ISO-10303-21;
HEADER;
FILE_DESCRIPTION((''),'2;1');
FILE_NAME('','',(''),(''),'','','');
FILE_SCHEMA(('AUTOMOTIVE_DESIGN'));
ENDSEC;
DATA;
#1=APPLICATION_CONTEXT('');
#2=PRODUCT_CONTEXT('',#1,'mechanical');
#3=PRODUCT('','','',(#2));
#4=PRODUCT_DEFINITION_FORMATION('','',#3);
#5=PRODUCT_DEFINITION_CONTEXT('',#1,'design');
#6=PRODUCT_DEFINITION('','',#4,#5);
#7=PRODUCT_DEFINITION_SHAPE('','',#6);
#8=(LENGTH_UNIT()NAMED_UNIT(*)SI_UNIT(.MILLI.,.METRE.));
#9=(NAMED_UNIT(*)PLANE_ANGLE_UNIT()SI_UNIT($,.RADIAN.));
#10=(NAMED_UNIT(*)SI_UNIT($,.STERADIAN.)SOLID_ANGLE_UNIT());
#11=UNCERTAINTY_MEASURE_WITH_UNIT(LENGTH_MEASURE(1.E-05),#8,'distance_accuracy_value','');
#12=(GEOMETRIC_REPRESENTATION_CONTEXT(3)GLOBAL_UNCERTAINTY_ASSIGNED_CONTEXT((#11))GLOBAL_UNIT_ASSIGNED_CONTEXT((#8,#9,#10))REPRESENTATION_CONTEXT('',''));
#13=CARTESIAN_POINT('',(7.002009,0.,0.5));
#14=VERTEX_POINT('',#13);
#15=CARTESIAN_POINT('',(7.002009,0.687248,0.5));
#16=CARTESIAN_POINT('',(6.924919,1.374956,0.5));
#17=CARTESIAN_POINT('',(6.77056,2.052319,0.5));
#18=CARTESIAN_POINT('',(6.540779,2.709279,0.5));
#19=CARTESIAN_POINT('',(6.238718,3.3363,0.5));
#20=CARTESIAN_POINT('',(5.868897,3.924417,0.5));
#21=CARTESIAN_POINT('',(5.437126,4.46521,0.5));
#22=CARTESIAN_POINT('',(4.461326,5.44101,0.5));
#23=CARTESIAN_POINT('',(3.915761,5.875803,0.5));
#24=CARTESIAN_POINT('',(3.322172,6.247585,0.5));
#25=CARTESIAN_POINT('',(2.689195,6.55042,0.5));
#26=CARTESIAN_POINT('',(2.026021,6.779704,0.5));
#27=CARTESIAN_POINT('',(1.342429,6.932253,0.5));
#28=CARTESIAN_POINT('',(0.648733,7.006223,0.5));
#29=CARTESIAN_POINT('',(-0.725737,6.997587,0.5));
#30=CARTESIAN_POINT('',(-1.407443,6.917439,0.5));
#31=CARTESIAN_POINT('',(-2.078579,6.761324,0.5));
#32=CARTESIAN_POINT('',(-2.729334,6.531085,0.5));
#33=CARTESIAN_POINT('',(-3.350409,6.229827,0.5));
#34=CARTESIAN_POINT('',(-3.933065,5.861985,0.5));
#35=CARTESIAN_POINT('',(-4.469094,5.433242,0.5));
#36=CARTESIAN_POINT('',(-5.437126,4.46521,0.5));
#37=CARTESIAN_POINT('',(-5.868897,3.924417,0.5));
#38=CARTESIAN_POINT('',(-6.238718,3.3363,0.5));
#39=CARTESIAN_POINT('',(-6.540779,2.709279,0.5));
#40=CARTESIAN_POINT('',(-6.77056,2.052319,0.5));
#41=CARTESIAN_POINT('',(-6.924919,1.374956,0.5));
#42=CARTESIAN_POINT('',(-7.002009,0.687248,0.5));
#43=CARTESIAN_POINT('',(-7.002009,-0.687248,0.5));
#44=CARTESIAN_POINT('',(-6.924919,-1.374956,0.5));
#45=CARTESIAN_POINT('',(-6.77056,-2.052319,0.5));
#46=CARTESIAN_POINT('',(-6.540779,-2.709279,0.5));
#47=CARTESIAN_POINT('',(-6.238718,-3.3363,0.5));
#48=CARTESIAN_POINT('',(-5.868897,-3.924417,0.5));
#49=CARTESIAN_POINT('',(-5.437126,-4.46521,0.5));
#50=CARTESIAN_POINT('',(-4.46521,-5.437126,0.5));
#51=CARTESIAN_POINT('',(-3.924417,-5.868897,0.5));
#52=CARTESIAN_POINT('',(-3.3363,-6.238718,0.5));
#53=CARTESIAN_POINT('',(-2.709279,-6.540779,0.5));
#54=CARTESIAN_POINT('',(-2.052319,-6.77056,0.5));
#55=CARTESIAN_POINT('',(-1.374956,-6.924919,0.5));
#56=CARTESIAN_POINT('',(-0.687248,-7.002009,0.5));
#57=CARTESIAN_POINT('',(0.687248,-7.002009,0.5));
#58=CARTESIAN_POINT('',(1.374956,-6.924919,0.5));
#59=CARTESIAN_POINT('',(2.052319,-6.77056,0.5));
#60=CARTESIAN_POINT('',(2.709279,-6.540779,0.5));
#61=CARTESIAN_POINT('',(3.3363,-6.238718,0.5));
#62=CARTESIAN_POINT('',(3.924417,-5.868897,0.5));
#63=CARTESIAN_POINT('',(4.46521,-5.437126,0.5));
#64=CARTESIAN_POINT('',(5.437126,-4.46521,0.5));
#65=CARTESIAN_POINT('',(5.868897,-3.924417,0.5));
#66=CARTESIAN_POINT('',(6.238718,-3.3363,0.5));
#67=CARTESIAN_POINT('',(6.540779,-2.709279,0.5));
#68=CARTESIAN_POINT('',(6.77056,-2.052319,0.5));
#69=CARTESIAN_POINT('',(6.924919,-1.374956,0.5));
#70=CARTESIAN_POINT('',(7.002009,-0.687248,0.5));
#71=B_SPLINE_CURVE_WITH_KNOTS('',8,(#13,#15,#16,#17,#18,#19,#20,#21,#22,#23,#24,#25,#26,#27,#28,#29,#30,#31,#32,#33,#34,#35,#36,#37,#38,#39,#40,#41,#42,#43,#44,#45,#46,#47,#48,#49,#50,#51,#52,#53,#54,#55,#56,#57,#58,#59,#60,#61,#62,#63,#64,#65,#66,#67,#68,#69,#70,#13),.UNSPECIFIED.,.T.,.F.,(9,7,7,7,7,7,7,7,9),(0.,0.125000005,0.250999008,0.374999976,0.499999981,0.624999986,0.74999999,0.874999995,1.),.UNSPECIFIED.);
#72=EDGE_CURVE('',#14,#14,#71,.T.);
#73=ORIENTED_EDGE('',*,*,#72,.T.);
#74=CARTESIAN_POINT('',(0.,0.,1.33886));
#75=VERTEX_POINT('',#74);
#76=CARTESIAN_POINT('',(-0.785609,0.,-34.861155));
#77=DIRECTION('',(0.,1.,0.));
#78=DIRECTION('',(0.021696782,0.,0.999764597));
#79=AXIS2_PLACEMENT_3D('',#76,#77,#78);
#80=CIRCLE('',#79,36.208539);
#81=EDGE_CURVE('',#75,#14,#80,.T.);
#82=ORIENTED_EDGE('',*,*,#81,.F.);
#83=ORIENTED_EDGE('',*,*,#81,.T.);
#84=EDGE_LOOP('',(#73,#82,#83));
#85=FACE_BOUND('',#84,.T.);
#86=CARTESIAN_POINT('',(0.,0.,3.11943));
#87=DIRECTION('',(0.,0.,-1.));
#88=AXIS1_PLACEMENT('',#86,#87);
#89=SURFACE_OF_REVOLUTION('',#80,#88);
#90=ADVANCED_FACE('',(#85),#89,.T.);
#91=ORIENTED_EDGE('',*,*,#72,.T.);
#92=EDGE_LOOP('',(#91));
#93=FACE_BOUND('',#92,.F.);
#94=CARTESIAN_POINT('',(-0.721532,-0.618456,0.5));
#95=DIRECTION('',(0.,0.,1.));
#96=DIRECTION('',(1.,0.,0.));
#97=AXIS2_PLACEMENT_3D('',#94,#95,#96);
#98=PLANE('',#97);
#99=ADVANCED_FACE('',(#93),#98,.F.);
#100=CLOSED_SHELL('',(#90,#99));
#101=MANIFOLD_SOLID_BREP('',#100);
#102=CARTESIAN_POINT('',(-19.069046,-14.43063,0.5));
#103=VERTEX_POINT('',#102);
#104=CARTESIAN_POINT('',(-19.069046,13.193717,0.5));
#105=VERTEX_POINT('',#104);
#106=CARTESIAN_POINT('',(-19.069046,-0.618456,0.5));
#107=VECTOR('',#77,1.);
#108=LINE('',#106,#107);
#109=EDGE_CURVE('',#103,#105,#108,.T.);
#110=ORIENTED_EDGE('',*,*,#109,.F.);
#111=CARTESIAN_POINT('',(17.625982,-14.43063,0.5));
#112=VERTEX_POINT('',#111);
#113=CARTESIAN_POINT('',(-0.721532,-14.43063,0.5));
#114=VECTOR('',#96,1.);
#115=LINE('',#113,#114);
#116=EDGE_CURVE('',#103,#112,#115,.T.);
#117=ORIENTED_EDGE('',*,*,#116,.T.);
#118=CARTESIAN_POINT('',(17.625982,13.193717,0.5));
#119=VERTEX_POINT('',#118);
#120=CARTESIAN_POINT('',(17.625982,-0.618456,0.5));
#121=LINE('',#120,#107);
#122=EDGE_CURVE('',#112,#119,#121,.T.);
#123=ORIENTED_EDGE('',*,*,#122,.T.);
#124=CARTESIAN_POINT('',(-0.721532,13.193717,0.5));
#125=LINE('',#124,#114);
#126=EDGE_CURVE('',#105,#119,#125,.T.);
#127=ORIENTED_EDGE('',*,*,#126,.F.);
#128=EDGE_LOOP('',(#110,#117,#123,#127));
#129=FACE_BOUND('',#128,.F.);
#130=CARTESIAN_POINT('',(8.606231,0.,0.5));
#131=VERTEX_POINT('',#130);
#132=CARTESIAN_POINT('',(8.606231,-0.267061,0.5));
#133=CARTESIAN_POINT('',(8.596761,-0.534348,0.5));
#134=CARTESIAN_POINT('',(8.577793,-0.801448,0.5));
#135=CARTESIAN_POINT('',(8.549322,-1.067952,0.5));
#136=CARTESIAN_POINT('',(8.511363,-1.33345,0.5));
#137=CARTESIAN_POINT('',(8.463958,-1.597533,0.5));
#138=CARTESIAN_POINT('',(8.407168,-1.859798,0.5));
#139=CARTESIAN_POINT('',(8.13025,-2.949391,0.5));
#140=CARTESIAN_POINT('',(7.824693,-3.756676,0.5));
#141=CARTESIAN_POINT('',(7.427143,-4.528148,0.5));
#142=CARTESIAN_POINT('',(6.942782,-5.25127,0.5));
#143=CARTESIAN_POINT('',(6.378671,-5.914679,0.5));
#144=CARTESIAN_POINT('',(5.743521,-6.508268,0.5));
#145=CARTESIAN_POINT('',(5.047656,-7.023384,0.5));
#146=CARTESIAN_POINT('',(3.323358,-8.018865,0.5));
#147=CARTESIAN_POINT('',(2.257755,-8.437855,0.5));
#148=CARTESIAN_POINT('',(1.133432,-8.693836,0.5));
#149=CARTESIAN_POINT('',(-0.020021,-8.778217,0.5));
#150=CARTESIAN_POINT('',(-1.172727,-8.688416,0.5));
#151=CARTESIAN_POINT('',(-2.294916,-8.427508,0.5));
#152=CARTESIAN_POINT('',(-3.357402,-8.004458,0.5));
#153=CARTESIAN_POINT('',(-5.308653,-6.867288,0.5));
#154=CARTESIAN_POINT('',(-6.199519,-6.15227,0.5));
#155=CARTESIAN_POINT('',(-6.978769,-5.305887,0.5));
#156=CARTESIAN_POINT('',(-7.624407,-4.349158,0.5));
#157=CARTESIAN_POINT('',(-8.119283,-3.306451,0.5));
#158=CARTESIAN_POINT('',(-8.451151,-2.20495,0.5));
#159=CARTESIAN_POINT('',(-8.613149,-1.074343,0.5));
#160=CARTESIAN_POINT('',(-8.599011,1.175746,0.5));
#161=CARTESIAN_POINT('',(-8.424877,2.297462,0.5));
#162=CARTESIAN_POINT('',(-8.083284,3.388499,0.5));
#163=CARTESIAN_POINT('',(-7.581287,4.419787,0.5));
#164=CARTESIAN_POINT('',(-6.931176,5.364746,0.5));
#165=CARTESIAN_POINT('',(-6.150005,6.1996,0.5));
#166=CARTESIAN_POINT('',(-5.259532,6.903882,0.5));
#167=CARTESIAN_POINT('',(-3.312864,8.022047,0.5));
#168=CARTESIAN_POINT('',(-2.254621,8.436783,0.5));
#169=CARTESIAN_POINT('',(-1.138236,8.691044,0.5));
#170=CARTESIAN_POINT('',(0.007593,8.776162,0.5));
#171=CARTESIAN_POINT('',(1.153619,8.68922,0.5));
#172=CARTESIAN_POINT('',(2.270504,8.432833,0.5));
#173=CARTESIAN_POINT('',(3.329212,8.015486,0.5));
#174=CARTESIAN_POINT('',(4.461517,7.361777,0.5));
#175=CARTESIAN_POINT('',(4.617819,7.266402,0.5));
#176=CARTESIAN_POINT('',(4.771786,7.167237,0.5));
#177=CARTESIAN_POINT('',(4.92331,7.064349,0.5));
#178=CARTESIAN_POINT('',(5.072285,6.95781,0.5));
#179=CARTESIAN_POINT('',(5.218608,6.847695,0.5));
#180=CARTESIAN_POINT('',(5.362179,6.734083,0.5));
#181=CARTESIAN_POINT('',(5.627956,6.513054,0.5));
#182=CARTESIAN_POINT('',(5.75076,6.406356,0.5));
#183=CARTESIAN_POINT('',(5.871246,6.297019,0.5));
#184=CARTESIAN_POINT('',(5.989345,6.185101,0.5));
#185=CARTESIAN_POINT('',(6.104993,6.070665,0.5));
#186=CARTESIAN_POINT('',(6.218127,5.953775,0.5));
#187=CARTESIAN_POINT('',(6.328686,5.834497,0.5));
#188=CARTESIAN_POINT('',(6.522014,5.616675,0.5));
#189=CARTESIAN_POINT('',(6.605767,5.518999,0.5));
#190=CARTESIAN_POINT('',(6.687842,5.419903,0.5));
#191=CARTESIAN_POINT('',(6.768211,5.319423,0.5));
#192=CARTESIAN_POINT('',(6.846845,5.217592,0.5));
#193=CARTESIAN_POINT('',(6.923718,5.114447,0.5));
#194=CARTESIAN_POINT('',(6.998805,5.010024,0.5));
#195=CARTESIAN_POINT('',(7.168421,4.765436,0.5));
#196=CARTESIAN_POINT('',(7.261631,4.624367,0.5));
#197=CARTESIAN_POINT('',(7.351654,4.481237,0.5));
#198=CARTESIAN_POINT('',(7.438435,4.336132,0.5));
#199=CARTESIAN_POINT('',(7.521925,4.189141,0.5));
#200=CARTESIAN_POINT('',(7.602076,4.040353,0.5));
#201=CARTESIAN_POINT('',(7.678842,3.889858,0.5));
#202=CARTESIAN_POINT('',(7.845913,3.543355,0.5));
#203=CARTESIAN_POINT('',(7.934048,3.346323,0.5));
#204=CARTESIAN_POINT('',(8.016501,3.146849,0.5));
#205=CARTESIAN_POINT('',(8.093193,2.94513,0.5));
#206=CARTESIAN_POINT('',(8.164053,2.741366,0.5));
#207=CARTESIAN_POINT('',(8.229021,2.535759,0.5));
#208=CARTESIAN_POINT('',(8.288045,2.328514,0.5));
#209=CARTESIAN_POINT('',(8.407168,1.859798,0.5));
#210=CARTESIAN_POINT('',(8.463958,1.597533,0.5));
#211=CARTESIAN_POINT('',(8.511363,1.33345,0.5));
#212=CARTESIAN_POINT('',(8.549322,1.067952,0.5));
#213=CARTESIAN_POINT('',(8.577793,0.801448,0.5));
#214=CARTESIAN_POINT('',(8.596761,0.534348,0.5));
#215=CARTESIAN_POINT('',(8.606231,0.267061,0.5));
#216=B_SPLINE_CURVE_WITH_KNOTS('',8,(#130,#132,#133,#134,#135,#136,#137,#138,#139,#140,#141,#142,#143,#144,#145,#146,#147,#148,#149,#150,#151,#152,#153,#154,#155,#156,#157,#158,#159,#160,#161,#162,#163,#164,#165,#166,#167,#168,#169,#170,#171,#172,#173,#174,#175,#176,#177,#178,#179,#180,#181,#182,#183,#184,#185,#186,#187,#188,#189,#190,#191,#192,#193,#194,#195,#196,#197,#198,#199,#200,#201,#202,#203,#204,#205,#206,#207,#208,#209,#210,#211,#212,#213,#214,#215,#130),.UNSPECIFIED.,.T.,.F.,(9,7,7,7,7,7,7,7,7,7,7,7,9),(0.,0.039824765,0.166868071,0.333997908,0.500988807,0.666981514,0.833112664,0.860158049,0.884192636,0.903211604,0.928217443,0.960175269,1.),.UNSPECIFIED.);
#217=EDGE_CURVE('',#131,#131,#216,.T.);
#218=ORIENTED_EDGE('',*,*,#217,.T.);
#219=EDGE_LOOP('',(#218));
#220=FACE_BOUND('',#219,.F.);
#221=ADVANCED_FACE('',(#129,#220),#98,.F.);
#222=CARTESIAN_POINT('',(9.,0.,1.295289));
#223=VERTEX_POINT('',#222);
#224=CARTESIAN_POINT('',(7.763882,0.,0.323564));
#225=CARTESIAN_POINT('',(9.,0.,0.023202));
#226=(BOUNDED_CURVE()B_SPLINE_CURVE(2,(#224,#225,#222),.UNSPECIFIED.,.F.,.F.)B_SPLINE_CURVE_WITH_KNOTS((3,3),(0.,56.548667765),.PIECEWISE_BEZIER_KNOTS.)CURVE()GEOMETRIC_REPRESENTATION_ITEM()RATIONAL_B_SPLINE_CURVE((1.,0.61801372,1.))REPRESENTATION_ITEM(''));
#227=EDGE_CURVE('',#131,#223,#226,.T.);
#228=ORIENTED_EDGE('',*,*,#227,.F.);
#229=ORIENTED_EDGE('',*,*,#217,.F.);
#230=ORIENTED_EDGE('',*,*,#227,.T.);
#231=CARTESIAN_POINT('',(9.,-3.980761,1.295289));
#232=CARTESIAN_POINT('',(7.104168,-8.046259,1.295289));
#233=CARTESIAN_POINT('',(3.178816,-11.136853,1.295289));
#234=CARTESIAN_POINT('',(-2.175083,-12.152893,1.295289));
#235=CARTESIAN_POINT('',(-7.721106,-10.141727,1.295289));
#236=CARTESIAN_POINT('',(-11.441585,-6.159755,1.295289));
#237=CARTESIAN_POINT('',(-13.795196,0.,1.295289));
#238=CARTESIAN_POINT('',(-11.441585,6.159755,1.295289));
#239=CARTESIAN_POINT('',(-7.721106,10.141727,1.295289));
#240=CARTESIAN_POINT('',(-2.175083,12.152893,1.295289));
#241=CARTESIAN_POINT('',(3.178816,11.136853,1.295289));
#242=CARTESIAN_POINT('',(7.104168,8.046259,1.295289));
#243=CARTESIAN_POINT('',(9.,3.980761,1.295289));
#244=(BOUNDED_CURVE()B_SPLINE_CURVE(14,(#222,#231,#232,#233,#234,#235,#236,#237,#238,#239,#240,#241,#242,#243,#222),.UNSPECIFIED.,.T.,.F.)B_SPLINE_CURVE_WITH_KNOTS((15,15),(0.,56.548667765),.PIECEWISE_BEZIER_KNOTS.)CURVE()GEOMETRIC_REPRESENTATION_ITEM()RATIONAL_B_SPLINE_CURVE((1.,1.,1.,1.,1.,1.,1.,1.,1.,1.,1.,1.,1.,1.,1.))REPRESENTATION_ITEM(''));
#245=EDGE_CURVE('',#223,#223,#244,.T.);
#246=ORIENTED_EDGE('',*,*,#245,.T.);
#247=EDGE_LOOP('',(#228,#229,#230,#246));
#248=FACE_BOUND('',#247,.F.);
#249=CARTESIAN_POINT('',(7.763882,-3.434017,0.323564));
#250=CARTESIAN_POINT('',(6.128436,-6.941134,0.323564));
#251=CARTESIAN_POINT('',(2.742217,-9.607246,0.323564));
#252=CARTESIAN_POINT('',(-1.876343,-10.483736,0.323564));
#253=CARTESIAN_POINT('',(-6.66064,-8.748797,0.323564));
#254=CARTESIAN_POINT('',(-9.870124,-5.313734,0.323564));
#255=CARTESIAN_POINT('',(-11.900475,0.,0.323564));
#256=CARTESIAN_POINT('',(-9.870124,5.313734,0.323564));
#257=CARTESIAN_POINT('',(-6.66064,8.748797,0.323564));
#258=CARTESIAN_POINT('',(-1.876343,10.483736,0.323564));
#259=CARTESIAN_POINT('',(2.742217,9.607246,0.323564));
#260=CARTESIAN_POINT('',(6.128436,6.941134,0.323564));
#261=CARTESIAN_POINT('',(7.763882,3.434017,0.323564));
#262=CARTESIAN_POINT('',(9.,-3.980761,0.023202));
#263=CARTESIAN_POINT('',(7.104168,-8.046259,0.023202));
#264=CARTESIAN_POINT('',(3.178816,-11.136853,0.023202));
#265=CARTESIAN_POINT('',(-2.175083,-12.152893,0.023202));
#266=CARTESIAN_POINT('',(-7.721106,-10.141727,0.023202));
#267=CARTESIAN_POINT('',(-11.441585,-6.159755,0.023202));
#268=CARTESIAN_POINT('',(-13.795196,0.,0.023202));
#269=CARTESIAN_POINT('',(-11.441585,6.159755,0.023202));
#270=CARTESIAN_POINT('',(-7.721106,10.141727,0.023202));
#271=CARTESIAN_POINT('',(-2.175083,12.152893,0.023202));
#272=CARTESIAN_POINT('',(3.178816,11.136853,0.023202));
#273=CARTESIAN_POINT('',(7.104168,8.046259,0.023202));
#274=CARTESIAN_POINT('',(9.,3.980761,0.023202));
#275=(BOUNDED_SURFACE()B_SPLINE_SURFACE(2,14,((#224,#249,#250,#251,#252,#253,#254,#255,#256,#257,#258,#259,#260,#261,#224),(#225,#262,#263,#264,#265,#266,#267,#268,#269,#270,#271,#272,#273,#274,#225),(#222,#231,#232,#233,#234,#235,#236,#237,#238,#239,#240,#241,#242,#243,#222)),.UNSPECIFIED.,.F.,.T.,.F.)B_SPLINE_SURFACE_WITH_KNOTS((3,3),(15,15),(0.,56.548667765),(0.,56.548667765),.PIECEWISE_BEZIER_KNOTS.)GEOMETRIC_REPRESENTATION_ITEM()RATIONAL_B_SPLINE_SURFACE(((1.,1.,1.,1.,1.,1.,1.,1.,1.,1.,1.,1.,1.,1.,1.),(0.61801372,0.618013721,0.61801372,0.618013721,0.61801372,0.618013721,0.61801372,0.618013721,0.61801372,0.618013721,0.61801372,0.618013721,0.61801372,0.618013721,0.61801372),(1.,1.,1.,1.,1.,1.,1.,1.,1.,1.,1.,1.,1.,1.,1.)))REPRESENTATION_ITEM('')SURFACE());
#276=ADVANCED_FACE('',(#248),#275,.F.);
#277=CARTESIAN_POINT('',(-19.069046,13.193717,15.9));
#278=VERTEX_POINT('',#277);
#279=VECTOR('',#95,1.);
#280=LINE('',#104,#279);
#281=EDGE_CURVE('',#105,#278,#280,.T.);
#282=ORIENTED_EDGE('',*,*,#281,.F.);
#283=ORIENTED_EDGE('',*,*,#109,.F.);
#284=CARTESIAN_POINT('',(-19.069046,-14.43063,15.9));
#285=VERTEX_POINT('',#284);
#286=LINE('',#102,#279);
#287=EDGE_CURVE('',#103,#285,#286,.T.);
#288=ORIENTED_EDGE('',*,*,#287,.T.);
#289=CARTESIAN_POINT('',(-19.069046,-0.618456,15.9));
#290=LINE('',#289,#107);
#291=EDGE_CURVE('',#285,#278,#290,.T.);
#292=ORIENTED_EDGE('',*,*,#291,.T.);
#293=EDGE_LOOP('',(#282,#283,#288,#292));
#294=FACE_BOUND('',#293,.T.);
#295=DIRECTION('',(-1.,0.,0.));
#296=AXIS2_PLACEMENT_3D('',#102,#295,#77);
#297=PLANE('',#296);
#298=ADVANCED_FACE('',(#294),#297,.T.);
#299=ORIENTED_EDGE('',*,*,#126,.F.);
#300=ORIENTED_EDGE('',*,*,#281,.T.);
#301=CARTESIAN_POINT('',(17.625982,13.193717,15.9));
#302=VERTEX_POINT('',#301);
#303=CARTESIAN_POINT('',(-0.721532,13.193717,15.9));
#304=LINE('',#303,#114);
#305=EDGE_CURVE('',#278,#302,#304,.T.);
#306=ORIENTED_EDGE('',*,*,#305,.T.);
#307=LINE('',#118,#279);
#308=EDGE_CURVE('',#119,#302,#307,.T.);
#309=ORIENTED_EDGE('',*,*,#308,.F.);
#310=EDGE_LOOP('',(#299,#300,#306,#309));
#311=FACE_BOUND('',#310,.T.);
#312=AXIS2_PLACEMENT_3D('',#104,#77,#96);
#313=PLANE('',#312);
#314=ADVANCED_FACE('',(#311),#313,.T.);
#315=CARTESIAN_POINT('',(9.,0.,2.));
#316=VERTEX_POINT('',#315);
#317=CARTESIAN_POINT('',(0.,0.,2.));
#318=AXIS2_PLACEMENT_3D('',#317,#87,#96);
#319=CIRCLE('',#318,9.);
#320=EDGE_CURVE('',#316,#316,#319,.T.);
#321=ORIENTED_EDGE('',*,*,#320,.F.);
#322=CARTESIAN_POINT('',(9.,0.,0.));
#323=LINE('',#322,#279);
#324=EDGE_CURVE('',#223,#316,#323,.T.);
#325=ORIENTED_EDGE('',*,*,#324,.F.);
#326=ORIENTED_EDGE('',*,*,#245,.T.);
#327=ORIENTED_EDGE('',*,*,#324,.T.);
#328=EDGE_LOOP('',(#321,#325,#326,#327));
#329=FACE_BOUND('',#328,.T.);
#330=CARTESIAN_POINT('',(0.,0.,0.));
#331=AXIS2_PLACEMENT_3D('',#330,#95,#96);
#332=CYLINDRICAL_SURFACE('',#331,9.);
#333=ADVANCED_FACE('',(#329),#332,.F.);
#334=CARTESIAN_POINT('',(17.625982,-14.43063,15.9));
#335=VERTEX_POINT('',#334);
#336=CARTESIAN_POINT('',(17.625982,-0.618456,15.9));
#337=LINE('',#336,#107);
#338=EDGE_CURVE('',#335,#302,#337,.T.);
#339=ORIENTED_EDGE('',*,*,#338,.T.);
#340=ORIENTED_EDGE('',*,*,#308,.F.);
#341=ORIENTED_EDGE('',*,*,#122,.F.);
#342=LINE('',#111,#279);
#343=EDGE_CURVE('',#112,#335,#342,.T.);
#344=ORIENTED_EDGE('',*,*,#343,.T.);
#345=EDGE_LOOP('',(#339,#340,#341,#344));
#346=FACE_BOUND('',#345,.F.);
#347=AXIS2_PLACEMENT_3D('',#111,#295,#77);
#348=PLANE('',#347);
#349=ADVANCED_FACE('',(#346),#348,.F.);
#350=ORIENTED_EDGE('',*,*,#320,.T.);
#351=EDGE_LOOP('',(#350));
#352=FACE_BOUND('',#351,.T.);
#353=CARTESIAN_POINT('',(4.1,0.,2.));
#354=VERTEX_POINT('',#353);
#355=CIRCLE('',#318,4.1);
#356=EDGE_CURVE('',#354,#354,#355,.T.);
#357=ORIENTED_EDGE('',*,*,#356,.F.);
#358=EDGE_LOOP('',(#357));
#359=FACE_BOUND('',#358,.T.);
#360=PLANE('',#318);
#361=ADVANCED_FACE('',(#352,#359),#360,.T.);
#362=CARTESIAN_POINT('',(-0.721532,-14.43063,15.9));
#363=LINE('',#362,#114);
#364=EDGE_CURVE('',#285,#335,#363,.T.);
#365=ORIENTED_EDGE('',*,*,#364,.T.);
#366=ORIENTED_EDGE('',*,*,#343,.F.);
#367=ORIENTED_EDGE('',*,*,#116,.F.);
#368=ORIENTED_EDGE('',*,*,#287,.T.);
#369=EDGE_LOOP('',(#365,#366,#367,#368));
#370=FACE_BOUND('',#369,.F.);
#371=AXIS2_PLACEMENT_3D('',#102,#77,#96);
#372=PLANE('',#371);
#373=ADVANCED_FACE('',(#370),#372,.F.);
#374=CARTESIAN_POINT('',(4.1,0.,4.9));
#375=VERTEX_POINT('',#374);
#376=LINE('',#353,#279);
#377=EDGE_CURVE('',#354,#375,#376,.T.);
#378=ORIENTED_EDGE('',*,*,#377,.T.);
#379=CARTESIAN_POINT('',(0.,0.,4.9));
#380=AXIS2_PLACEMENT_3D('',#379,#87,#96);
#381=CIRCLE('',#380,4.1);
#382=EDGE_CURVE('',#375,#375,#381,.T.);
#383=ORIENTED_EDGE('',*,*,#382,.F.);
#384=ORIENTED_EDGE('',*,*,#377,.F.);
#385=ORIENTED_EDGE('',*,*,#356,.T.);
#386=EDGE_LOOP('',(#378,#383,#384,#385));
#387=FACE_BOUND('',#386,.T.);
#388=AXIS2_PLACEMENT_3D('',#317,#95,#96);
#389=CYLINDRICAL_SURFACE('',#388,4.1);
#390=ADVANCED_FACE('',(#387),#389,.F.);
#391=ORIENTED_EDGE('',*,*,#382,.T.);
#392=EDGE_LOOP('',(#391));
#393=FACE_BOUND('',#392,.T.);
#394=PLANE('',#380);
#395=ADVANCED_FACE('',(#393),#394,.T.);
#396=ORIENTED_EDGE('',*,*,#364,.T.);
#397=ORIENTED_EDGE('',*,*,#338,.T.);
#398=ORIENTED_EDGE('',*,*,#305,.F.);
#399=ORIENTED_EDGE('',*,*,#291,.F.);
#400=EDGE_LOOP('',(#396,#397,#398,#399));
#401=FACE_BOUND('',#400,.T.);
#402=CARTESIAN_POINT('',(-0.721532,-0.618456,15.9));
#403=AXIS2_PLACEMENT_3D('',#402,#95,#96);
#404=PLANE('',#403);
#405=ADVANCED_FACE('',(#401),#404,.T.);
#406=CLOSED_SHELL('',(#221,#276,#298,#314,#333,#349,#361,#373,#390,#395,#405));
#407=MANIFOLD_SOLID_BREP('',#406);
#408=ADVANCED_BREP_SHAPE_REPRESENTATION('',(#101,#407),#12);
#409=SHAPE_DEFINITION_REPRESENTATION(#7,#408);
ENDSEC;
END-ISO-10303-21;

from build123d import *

# Parameters (mm, degrees)
F2_R     = 1
F4_W     = 36.695028
F4_H     = 27.624347
F5_DEPTH = 15.4


with BuildPart() as f1:
    # F0 (on Front) → F1 (revolve)
    with BuildSketch(Plane.XZ):
        with BuildLine():
            ThreePointArc((0, 1.33886), (4.542224, 0.953262), (9, 0))
            Line((9, 0), (9, 2))
            Line((9, 2), (4.1, 2))
            Line((4.1, 2), (4.1, 4.9))
            Line((4.1, 4.9), (0, 4.9))
            Line((0, 4.9), (0, 1.33886))
        make_face()
    revolve(axis=Axis((0, 0, 3.11943), (0, 0, -1)))

    # F2
    f2_edges = [f1.edges().sort_by_distance(p)[0] for p in [
        (-9, 0, 0),
    ]]
    fillet(f2_edges, radius=F2_R)


with BuildPart() as f5:
    # F4 (on offset) → F5 (new body)
    with BuildSketch(Plane.XY.offset(0.5)):
        with Locations((-0.721532, -0.618456)):
            Rectangle(F4_W, F4_H)
    extrude(amount=F5_DEPTH)

    # F6: cut F1
    add(f1.part, mode=Mode.SUBTRACT)


solid = f5.part
